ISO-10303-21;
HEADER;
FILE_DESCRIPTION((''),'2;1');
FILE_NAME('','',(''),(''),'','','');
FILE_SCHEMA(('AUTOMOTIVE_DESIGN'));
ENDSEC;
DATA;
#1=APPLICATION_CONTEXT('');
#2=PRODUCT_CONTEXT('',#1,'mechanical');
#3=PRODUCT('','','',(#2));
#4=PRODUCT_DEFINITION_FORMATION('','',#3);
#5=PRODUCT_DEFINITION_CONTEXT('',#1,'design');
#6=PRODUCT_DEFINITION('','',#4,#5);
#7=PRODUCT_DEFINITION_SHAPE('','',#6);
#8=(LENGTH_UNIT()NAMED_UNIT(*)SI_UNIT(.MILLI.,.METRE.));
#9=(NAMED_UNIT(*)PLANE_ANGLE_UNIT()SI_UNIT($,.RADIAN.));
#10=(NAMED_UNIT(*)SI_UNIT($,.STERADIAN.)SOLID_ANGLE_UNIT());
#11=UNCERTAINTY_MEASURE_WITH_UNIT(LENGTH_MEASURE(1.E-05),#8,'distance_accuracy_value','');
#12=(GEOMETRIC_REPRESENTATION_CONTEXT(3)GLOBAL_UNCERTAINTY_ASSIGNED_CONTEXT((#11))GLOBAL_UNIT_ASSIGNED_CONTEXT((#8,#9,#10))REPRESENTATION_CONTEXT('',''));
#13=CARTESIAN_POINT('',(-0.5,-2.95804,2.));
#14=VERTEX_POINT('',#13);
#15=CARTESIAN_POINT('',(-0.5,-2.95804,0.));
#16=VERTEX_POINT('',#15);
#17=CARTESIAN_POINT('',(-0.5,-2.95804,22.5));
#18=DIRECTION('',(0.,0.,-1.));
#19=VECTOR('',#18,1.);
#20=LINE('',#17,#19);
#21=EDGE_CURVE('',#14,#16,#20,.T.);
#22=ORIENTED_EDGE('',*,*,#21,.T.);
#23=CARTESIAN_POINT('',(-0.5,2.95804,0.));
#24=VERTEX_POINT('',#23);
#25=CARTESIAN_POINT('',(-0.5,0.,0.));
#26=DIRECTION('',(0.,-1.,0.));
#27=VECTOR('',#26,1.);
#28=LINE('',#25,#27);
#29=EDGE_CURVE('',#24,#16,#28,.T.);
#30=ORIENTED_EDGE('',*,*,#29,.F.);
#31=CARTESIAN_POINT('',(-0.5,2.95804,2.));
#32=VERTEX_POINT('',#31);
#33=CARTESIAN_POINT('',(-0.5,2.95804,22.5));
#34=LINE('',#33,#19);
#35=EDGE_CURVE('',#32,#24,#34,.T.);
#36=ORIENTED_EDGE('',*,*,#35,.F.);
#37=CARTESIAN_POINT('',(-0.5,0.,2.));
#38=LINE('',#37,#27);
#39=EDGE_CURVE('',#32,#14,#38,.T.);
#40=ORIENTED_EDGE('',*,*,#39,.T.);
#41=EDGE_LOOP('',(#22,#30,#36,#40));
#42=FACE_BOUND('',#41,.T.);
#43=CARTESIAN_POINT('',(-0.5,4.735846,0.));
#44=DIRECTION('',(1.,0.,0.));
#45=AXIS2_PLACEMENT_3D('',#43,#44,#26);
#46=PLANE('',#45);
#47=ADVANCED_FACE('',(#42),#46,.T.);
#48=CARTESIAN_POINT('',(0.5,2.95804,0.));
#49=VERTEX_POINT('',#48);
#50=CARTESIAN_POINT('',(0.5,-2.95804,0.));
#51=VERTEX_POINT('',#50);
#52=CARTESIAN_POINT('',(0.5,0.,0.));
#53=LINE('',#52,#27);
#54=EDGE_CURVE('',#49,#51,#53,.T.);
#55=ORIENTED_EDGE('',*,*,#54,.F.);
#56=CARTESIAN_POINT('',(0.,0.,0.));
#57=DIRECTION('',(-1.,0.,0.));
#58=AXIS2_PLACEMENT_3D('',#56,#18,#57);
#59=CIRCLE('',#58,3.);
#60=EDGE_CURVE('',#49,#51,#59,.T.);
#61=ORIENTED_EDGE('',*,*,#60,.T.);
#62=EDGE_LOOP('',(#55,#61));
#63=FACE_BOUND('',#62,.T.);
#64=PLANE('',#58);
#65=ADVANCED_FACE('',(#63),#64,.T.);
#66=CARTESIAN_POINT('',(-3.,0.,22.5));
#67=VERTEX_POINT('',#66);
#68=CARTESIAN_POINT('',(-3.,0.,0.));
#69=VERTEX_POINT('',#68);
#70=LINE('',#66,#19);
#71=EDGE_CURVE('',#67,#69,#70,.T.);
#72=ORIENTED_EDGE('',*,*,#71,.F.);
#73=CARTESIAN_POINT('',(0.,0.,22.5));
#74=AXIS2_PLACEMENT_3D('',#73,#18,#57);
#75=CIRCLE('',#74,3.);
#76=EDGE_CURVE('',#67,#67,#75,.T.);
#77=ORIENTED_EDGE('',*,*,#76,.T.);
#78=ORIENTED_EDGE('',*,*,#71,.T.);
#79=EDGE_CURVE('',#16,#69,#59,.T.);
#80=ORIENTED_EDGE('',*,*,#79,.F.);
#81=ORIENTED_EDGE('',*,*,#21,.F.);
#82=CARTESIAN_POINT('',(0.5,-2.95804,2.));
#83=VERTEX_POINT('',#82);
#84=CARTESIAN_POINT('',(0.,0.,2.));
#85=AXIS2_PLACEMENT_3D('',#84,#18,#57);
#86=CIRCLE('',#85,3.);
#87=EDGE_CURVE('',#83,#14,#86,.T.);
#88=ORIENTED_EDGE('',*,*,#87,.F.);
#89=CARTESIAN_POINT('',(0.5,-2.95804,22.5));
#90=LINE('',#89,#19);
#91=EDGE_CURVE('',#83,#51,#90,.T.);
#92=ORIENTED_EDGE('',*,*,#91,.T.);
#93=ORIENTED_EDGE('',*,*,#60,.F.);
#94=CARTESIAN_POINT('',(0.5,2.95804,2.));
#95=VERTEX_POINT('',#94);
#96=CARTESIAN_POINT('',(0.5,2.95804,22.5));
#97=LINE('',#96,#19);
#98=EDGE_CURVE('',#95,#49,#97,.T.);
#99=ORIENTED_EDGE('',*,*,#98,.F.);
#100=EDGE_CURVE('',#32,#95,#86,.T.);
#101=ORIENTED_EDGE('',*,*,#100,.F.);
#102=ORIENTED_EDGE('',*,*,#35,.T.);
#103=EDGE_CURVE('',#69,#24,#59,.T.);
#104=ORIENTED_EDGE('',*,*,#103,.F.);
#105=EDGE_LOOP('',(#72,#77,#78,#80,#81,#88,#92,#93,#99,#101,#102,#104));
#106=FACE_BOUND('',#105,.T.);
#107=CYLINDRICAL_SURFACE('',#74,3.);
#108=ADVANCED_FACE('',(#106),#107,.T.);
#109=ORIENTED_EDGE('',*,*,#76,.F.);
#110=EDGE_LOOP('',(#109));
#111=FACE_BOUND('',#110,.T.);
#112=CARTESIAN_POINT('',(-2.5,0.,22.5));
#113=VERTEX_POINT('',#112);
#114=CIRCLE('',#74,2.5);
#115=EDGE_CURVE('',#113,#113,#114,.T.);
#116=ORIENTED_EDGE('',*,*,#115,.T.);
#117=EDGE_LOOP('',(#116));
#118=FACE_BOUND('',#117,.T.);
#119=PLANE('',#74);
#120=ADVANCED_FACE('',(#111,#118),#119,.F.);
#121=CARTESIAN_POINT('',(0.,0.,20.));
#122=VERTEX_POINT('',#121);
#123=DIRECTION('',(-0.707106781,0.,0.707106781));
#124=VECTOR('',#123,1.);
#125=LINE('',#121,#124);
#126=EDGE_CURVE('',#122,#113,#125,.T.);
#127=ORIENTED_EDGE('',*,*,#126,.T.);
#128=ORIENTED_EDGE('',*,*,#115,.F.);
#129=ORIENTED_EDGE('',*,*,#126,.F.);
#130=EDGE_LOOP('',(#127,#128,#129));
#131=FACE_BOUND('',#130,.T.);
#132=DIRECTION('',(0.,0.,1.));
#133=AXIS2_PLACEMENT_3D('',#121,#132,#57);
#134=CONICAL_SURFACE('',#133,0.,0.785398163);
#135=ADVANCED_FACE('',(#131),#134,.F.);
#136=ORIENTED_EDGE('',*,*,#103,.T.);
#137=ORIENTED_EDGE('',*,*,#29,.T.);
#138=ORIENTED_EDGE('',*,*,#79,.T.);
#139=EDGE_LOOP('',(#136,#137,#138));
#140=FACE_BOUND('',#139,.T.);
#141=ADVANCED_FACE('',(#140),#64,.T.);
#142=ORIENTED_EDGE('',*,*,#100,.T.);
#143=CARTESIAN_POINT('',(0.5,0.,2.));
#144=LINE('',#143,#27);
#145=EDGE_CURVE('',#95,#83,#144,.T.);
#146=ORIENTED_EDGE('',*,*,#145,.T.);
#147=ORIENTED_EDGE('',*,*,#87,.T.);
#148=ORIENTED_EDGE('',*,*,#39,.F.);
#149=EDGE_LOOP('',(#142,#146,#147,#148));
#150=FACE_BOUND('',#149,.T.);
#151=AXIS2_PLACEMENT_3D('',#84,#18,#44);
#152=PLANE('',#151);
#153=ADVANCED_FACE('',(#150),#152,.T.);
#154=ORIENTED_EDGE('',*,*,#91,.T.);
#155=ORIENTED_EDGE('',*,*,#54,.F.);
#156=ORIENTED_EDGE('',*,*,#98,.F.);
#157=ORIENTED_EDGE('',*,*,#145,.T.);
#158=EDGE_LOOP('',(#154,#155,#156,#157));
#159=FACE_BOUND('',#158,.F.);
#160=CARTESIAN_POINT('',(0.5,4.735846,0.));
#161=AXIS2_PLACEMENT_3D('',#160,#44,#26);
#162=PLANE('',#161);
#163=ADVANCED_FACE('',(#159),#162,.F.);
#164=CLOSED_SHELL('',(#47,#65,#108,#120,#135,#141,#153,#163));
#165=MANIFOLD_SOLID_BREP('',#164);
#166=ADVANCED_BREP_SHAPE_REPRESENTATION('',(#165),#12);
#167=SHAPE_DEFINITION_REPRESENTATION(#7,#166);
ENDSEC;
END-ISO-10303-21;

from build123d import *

# Parameters (mm, degrees)
F2_W     = 1
F2_H     = 9.471692
F3_DEPTH = 2


with BuildPart() as f1:
    # F0 (on Front) → F1 (revolve)
    with BuildSketch(Plane.XZ):
        Polygon((-3, 0), (0, 0), (0, 20), (-2.5, 22.5), (-3, 22.5), align=None)
    revolve(axis=Axis((0, 0, 10), (0, 0, -1)))

    # F2 (on face) → F3 (cut)
    with BuildSketch(Plane(origin=(0, 0, 0), x_dir=(1, 0, 0), z_dir=(0, 0, -1))):
        Rectangle(F2_W, F2_H)
    extrude(amount=-F3_DEPTH, mode=Mode.SUBTRACT)


solid = f1.part
